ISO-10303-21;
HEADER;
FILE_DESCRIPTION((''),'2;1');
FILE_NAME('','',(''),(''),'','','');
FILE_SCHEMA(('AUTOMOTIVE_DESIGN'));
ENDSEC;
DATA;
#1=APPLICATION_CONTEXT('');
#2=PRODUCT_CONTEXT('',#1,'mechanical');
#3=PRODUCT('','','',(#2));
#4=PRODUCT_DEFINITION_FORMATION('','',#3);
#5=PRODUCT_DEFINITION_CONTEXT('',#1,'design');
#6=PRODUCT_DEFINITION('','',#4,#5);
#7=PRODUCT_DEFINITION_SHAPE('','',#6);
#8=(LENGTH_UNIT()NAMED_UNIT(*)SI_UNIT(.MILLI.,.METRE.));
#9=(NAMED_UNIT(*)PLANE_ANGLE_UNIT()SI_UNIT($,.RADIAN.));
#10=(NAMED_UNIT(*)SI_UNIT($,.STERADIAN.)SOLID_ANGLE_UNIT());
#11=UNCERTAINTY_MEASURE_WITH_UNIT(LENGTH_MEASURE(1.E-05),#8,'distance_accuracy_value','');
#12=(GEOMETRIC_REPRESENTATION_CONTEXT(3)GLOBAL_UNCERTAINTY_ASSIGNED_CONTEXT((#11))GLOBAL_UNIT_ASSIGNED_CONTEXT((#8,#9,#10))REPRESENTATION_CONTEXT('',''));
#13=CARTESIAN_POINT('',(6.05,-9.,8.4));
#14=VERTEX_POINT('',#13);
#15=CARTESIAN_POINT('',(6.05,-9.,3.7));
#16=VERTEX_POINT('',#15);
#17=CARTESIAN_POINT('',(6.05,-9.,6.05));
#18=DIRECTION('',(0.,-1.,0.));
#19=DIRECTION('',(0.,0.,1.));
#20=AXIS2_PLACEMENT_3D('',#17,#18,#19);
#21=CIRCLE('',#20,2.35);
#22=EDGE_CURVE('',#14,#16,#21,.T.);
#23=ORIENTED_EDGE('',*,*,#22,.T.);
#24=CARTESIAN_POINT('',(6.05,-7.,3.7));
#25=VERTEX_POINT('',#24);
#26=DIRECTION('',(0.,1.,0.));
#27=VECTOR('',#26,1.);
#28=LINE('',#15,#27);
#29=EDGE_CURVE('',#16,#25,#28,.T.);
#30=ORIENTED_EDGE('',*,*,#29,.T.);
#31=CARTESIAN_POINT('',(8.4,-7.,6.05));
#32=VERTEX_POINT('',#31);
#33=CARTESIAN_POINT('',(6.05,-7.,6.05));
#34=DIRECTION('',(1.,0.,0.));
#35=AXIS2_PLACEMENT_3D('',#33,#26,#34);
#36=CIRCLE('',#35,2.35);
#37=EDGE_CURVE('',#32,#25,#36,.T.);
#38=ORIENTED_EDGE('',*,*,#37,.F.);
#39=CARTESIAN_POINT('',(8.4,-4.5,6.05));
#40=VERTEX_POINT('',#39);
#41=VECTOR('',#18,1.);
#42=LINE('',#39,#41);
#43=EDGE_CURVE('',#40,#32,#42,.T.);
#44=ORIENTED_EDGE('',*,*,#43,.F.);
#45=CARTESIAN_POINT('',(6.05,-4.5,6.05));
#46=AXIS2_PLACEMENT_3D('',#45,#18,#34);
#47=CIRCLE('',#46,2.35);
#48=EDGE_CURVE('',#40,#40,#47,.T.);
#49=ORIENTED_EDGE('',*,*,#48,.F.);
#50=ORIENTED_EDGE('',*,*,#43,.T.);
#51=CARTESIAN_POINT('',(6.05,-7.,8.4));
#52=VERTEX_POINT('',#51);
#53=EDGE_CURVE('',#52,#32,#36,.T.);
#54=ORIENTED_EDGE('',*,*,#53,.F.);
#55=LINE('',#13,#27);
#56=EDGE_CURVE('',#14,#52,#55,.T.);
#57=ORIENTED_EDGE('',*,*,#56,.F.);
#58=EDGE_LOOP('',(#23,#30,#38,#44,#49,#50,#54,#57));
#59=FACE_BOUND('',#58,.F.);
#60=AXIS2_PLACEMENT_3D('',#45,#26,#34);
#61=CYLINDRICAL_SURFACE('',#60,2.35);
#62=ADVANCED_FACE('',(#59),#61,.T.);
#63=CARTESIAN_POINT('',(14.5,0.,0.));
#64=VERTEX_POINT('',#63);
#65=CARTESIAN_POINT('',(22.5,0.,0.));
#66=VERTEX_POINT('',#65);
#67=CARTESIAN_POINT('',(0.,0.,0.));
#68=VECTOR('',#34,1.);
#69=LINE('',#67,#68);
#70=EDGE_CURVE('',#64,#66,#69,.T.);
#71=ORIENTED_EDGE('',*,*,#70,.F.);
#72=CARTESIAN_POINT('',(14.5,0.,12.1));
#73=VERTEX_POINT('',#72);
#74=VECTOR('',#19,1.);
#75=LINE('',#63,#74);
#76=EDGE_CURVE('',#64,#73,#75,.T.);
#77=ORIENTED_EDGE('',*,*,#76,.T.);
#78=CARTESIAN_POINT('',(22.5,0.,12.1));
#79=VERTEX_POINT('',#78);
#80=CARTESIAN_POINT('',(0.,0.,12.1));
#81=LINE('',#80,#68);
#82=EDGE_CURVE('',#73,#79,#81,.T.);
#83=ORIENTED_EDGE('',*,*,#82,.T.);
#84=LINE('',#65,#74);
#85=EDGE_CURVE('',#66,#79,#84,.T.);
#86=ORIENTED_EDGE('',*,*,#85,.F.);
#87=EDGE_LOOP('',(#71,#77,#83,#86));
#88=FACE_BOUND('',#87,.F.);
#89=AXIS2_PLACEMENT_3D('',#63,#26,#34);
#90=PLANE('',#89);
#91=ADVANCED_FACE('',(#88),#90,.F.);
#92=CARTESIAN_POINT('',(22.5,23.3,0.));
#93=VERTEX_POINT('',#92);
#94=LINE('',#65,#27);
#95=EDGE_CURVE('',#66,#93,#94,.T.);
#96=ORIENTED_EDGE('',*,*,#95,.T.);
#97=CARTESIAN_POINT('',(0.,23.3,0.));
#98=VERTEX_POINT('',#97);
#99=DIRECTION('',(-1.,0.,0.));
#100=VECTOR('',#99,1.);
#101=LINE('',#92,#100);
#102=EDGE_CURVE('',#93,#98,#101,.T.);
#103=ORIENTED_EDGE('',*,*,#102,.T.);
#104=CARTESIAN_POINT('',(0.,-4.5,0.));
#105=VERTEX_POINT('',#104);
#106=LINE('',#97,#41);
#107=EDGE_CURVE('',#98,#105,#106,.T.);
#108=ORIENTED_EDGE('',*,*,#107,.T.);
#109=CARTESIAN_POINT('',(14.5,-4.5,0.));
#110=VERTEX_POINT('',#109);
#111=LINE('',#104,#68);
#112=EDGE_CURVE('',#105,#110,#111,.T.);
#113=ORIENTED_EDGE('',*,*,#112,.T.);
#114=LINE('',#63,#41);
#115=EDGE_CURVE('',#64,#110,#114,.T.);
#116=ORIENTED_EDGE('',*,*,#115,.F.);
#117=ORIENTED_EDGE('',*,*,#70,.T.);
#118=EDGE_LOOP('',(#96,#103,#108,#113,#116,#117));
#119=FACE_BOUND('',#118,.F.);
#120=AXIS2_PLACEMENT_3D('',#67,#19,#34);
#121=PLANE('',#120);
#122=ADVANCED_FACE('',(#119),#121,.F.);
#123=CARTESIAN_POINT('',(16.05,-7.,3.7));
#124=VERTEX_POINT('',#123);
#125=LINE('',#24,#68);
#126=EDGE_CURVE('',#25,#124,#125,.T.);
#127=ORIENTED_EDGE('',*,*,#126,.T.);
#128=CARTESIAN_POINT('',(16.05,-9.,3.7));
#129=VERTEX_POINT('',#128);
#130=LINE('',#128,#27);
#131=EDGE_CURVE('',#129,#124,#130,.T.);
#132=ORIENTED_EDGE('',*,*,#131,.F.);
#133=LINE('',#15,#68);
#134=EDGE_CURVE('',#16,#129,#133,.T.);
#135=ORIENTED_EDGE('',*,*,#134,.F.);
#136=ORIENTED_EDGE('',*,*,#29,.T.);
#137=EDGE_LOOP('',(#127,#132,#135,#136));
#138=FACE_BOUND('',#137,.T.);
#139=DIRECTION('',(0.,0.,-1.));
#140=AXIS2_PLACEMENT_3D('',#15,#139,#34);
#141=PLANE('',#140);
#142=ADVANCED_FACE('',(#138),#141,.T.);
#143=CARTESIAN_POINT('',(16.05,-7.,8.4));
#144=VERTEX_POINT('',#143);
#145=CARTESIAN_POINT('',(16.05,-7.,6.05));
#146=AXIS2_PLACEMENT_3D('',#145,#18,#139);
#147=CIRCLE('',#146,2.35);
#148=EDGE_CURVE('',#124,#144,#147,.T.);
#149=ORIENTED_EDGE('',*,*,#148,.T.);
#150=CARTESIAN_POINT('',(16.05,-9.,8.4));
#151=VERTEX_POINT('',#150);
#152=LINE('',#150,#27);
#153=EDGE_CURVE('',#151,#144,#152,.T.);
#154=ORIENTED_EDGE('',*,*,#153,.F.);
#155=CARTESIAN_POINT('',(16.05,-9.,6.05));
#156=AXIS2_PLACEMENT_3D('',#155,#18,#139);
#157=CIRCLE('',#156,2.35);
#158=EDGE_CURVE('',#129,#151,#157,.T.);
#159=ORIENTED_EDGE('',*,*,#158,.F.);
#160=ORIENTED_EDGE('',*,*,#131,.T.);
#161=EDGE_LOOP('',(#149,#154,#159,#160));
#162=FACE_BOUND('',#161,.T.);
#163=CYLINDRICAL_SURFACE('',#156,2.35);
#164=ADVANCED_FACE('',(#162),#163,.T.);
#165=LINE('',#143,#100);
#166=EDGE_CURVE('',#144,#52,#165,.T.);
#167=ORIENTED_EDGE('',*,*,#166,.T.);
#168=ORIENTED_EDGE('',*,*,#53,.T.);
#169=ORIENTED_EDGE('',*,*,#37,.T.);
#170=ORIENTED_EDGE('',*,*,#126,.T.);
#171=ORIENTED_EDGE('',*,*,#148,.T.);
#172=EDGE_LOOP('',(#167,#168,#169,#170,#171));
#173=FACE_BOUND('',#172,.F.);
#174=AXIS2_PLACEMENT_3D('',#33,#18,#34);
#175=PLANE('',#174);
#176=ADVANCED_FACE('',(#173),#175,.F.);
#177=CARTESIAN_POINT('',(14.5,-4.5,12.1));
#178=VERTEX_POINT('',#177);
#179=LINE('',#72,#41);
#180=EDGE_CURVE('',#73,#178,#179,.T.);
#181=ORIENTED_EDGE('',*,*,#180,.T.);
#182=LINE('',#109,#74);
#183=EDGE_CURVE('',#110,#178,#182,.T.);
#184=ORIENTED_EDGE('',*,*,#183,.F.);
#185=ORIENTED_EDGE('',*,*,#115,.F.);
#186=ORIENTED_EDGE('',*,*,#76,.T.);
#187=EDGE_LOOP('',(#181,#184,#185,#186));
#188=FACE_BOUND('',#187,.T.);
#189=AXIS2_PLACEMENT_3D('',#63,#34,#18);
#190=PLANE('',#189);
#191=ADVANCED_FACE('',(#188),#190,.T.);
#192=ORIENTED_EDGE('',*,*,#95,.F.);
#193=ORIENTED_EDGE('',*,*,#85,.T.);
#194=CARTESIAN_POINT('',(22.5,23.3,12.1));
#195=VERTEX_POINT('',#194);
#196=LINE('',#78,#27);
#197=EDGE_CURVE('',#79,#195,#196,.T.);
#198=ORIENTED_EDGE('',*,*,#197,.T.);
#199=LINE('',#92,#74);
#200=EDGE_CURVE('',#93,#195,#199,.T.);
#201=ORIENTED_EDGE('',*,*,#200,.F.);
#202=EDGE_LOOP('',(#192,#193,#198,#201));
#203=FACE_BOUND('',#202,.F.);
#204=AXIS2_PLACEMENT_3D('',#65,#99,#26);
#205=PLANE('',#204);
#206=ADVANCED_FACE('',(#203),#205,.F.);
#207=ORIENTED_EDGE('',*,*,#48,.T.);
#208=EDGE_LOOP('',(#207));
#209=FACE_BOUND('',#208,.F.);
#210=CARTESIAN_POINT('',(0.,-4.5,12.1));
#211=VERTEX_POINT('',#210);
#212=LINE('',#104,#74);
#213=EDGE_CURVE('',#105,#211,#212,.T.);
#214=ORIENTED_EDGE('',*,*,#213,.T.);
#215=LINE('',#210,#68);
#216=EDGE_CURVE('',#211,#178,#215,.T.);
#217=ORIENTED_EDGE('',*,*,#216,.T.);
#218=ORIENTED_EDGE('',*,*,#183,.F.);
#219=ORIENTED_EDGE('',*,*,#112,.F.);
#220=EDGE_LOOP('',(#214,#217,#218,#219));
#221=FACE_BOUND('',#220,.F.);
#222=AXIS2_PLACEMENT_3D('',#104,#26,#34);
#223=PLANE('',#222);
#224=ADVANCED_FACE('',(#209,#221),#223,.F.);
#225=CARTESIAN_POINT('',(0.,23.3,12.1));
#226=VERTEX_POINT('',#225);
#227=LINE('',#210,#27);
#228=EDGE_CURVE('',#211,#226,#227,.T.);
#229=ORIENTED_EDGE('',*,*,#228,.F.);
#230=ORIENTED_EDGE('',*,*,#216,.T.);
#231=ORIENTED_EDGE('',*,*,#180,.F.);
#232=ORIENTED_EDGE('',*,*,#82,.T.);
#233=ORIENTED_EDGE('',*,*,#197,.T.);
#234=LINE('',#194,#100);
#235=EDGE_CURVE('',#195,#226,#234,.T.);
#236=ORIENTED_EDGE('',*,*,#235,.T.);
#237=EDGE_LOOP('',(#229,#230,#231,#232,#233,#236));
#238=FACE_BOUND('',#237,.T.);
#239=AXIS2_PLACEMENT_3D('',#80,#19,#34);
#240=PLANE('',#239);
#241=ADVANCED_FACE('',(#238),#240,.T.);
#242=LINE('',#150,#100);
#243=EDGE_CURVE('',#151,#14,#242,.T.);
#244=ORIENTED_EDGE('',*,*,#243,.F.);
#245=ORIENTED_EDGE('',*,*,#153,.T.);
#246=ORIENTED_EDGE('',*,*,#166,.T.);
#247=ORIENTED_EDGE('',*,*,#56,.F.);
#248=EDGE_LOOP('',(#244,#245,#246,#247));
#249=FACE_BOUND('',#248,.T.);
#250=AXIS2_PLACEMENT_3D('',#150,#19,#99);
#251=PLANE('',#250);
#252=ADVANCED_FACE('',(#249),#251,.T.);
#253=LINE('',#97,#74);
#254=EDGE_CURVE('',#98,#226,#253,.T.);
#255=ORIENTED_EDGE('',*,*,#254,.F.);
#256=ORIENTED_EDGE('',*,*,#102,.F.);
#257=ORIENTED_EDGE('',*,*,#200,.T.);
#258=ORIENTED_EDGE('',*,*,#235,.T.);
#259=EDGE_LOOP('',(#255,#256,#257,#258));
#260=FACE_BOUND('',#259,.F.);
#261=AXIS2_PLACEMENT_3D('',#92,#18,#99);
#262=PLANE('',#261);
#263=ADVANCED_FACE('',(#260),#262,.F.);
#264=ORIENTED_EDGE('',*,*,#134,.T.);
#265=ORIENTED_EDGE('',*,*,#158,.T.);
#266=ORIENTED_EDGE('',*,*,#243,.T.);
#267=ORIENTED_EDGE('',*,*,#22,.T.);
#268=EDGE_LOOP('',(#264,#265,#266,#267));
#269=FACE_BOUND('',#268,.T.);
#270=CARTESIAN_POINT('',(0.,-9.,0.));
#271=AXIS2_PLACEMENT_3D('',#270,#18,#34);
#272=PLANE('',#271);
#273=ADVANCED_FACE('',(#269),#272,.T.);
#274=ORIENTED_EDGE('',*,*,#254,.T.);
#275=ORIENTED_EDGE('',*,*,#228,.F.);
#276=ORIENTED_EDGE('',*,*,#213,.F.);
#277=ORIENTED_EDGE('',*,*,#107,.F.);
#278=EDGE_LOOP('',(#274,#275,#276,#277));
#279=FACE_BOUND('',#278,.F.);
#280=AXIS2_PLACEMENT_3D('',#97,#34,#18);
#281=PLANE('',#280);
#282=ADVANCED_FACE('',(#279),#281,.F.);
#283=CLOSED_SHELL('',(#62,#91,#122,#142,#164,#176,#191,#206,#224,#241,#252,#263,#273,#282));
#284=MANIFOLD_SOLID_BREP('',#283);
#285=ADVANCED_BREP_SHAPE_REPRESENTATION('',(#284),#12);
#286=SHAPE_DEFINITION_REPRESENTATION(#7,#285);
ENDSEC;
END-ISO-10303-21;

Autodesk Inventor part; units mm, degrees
ref_plane "YZ Plane" through (0, 0, 0) normal (1, 0, 0) x (0, 1, 0)
ref_plane "XZ Plane" through (0, 0, 0) normal (0, 1, 0) x (-1, 0, 0)
ref_plane "XY Plane" through (0, 0, 0) normal (0, 0, 1) x (1, 0, 0)
sketch "Sketch1" plane through (0, 0, 0) normal (0, 0, 1) x (1, 0, 0)
  line L0 (0, 0) -> (22.5, 0)
  line L1 (22.5, 0) -> (22.5, 23.3)
  line L2 (22.5, 23.3) -> (0, 23.3)
  line L3 (0, 23.3) -> (0, 0)
  line L4 (0, 0) -> (14.5, 0)
  line L5 (14.5, 0) -> (14.5, -4.5)
  line L6 (0, -4.5) -> (0, 0)
  line L7 (0, -4.5) -> (14.5, -4.5)
  dimension "d0" = 23.3
  dimension "d1" = 22.5
  dimension "d2" = 14.5
  dimension "d3" = 4.5
extrude "Extrusion1" add sketch "Sketch1" along normal blind 12.1
sketch "Sketch2" plane through (0, -4.5, 0) normal (0, -1, 0) x (1, 0, 0)
  line L0 (0, 0) -> (14.5, 0) projected
  line L1 (14.5, 0) -> (14.5, 12.1) projected
  line L2 (0, 12.1) -> (14.5, 12.1) projected
  line L3 (0, 0) -> (0, 12.1) projected
  line L4 (0, 0) -> (0, 12.1) projected
  line L5 (0, 6.05) -> (14.5, 6.05) construction
  line L6 (0, 12.1) -> (14.5, 12.1) projected
  line L7 (0, 0) -> (14.5, 0) projected
  circle A0 centre (6.05, 6.05) radius 6.05 construction
  line L8 (6.05, 6.05) -> (6.05, 0) construction
  circle A1 centre (6.05, 6.05) radius 2.35
  dimension "d6" = 4.7
extrude "Extrusion2" add sketch "Sketch2" along normal blind 4.5 contours A1
sketch "Sketch3" plane through (6.05, -9, 6.05) normal (0, -1, 0) x (1, 0, 0)
  line L0 (0, 0) -> (10, 0) construction
  line L1 (0, -2.35) -> (10, -2.35)
  line L2 (10, 2.35) -> (0, 2.35)
  arc A0 (0, 2.35) -> (0, -2.35) centre (0, 0) ccw
  arc A1 (10, -2.35) -> (10, 2.35) centre (10, 0) ccw
  circle A2 centre (0, 0) radius 2.35 projected
  point P0 (-6.05, -6.05)
  point P1 (5, 0)
  point P2 (-2.35, 0)
  dimension "d9" = 10
extrude "Extrusion3" add sketch "Sketch3" against normal blind 2
properties part number "servo"
